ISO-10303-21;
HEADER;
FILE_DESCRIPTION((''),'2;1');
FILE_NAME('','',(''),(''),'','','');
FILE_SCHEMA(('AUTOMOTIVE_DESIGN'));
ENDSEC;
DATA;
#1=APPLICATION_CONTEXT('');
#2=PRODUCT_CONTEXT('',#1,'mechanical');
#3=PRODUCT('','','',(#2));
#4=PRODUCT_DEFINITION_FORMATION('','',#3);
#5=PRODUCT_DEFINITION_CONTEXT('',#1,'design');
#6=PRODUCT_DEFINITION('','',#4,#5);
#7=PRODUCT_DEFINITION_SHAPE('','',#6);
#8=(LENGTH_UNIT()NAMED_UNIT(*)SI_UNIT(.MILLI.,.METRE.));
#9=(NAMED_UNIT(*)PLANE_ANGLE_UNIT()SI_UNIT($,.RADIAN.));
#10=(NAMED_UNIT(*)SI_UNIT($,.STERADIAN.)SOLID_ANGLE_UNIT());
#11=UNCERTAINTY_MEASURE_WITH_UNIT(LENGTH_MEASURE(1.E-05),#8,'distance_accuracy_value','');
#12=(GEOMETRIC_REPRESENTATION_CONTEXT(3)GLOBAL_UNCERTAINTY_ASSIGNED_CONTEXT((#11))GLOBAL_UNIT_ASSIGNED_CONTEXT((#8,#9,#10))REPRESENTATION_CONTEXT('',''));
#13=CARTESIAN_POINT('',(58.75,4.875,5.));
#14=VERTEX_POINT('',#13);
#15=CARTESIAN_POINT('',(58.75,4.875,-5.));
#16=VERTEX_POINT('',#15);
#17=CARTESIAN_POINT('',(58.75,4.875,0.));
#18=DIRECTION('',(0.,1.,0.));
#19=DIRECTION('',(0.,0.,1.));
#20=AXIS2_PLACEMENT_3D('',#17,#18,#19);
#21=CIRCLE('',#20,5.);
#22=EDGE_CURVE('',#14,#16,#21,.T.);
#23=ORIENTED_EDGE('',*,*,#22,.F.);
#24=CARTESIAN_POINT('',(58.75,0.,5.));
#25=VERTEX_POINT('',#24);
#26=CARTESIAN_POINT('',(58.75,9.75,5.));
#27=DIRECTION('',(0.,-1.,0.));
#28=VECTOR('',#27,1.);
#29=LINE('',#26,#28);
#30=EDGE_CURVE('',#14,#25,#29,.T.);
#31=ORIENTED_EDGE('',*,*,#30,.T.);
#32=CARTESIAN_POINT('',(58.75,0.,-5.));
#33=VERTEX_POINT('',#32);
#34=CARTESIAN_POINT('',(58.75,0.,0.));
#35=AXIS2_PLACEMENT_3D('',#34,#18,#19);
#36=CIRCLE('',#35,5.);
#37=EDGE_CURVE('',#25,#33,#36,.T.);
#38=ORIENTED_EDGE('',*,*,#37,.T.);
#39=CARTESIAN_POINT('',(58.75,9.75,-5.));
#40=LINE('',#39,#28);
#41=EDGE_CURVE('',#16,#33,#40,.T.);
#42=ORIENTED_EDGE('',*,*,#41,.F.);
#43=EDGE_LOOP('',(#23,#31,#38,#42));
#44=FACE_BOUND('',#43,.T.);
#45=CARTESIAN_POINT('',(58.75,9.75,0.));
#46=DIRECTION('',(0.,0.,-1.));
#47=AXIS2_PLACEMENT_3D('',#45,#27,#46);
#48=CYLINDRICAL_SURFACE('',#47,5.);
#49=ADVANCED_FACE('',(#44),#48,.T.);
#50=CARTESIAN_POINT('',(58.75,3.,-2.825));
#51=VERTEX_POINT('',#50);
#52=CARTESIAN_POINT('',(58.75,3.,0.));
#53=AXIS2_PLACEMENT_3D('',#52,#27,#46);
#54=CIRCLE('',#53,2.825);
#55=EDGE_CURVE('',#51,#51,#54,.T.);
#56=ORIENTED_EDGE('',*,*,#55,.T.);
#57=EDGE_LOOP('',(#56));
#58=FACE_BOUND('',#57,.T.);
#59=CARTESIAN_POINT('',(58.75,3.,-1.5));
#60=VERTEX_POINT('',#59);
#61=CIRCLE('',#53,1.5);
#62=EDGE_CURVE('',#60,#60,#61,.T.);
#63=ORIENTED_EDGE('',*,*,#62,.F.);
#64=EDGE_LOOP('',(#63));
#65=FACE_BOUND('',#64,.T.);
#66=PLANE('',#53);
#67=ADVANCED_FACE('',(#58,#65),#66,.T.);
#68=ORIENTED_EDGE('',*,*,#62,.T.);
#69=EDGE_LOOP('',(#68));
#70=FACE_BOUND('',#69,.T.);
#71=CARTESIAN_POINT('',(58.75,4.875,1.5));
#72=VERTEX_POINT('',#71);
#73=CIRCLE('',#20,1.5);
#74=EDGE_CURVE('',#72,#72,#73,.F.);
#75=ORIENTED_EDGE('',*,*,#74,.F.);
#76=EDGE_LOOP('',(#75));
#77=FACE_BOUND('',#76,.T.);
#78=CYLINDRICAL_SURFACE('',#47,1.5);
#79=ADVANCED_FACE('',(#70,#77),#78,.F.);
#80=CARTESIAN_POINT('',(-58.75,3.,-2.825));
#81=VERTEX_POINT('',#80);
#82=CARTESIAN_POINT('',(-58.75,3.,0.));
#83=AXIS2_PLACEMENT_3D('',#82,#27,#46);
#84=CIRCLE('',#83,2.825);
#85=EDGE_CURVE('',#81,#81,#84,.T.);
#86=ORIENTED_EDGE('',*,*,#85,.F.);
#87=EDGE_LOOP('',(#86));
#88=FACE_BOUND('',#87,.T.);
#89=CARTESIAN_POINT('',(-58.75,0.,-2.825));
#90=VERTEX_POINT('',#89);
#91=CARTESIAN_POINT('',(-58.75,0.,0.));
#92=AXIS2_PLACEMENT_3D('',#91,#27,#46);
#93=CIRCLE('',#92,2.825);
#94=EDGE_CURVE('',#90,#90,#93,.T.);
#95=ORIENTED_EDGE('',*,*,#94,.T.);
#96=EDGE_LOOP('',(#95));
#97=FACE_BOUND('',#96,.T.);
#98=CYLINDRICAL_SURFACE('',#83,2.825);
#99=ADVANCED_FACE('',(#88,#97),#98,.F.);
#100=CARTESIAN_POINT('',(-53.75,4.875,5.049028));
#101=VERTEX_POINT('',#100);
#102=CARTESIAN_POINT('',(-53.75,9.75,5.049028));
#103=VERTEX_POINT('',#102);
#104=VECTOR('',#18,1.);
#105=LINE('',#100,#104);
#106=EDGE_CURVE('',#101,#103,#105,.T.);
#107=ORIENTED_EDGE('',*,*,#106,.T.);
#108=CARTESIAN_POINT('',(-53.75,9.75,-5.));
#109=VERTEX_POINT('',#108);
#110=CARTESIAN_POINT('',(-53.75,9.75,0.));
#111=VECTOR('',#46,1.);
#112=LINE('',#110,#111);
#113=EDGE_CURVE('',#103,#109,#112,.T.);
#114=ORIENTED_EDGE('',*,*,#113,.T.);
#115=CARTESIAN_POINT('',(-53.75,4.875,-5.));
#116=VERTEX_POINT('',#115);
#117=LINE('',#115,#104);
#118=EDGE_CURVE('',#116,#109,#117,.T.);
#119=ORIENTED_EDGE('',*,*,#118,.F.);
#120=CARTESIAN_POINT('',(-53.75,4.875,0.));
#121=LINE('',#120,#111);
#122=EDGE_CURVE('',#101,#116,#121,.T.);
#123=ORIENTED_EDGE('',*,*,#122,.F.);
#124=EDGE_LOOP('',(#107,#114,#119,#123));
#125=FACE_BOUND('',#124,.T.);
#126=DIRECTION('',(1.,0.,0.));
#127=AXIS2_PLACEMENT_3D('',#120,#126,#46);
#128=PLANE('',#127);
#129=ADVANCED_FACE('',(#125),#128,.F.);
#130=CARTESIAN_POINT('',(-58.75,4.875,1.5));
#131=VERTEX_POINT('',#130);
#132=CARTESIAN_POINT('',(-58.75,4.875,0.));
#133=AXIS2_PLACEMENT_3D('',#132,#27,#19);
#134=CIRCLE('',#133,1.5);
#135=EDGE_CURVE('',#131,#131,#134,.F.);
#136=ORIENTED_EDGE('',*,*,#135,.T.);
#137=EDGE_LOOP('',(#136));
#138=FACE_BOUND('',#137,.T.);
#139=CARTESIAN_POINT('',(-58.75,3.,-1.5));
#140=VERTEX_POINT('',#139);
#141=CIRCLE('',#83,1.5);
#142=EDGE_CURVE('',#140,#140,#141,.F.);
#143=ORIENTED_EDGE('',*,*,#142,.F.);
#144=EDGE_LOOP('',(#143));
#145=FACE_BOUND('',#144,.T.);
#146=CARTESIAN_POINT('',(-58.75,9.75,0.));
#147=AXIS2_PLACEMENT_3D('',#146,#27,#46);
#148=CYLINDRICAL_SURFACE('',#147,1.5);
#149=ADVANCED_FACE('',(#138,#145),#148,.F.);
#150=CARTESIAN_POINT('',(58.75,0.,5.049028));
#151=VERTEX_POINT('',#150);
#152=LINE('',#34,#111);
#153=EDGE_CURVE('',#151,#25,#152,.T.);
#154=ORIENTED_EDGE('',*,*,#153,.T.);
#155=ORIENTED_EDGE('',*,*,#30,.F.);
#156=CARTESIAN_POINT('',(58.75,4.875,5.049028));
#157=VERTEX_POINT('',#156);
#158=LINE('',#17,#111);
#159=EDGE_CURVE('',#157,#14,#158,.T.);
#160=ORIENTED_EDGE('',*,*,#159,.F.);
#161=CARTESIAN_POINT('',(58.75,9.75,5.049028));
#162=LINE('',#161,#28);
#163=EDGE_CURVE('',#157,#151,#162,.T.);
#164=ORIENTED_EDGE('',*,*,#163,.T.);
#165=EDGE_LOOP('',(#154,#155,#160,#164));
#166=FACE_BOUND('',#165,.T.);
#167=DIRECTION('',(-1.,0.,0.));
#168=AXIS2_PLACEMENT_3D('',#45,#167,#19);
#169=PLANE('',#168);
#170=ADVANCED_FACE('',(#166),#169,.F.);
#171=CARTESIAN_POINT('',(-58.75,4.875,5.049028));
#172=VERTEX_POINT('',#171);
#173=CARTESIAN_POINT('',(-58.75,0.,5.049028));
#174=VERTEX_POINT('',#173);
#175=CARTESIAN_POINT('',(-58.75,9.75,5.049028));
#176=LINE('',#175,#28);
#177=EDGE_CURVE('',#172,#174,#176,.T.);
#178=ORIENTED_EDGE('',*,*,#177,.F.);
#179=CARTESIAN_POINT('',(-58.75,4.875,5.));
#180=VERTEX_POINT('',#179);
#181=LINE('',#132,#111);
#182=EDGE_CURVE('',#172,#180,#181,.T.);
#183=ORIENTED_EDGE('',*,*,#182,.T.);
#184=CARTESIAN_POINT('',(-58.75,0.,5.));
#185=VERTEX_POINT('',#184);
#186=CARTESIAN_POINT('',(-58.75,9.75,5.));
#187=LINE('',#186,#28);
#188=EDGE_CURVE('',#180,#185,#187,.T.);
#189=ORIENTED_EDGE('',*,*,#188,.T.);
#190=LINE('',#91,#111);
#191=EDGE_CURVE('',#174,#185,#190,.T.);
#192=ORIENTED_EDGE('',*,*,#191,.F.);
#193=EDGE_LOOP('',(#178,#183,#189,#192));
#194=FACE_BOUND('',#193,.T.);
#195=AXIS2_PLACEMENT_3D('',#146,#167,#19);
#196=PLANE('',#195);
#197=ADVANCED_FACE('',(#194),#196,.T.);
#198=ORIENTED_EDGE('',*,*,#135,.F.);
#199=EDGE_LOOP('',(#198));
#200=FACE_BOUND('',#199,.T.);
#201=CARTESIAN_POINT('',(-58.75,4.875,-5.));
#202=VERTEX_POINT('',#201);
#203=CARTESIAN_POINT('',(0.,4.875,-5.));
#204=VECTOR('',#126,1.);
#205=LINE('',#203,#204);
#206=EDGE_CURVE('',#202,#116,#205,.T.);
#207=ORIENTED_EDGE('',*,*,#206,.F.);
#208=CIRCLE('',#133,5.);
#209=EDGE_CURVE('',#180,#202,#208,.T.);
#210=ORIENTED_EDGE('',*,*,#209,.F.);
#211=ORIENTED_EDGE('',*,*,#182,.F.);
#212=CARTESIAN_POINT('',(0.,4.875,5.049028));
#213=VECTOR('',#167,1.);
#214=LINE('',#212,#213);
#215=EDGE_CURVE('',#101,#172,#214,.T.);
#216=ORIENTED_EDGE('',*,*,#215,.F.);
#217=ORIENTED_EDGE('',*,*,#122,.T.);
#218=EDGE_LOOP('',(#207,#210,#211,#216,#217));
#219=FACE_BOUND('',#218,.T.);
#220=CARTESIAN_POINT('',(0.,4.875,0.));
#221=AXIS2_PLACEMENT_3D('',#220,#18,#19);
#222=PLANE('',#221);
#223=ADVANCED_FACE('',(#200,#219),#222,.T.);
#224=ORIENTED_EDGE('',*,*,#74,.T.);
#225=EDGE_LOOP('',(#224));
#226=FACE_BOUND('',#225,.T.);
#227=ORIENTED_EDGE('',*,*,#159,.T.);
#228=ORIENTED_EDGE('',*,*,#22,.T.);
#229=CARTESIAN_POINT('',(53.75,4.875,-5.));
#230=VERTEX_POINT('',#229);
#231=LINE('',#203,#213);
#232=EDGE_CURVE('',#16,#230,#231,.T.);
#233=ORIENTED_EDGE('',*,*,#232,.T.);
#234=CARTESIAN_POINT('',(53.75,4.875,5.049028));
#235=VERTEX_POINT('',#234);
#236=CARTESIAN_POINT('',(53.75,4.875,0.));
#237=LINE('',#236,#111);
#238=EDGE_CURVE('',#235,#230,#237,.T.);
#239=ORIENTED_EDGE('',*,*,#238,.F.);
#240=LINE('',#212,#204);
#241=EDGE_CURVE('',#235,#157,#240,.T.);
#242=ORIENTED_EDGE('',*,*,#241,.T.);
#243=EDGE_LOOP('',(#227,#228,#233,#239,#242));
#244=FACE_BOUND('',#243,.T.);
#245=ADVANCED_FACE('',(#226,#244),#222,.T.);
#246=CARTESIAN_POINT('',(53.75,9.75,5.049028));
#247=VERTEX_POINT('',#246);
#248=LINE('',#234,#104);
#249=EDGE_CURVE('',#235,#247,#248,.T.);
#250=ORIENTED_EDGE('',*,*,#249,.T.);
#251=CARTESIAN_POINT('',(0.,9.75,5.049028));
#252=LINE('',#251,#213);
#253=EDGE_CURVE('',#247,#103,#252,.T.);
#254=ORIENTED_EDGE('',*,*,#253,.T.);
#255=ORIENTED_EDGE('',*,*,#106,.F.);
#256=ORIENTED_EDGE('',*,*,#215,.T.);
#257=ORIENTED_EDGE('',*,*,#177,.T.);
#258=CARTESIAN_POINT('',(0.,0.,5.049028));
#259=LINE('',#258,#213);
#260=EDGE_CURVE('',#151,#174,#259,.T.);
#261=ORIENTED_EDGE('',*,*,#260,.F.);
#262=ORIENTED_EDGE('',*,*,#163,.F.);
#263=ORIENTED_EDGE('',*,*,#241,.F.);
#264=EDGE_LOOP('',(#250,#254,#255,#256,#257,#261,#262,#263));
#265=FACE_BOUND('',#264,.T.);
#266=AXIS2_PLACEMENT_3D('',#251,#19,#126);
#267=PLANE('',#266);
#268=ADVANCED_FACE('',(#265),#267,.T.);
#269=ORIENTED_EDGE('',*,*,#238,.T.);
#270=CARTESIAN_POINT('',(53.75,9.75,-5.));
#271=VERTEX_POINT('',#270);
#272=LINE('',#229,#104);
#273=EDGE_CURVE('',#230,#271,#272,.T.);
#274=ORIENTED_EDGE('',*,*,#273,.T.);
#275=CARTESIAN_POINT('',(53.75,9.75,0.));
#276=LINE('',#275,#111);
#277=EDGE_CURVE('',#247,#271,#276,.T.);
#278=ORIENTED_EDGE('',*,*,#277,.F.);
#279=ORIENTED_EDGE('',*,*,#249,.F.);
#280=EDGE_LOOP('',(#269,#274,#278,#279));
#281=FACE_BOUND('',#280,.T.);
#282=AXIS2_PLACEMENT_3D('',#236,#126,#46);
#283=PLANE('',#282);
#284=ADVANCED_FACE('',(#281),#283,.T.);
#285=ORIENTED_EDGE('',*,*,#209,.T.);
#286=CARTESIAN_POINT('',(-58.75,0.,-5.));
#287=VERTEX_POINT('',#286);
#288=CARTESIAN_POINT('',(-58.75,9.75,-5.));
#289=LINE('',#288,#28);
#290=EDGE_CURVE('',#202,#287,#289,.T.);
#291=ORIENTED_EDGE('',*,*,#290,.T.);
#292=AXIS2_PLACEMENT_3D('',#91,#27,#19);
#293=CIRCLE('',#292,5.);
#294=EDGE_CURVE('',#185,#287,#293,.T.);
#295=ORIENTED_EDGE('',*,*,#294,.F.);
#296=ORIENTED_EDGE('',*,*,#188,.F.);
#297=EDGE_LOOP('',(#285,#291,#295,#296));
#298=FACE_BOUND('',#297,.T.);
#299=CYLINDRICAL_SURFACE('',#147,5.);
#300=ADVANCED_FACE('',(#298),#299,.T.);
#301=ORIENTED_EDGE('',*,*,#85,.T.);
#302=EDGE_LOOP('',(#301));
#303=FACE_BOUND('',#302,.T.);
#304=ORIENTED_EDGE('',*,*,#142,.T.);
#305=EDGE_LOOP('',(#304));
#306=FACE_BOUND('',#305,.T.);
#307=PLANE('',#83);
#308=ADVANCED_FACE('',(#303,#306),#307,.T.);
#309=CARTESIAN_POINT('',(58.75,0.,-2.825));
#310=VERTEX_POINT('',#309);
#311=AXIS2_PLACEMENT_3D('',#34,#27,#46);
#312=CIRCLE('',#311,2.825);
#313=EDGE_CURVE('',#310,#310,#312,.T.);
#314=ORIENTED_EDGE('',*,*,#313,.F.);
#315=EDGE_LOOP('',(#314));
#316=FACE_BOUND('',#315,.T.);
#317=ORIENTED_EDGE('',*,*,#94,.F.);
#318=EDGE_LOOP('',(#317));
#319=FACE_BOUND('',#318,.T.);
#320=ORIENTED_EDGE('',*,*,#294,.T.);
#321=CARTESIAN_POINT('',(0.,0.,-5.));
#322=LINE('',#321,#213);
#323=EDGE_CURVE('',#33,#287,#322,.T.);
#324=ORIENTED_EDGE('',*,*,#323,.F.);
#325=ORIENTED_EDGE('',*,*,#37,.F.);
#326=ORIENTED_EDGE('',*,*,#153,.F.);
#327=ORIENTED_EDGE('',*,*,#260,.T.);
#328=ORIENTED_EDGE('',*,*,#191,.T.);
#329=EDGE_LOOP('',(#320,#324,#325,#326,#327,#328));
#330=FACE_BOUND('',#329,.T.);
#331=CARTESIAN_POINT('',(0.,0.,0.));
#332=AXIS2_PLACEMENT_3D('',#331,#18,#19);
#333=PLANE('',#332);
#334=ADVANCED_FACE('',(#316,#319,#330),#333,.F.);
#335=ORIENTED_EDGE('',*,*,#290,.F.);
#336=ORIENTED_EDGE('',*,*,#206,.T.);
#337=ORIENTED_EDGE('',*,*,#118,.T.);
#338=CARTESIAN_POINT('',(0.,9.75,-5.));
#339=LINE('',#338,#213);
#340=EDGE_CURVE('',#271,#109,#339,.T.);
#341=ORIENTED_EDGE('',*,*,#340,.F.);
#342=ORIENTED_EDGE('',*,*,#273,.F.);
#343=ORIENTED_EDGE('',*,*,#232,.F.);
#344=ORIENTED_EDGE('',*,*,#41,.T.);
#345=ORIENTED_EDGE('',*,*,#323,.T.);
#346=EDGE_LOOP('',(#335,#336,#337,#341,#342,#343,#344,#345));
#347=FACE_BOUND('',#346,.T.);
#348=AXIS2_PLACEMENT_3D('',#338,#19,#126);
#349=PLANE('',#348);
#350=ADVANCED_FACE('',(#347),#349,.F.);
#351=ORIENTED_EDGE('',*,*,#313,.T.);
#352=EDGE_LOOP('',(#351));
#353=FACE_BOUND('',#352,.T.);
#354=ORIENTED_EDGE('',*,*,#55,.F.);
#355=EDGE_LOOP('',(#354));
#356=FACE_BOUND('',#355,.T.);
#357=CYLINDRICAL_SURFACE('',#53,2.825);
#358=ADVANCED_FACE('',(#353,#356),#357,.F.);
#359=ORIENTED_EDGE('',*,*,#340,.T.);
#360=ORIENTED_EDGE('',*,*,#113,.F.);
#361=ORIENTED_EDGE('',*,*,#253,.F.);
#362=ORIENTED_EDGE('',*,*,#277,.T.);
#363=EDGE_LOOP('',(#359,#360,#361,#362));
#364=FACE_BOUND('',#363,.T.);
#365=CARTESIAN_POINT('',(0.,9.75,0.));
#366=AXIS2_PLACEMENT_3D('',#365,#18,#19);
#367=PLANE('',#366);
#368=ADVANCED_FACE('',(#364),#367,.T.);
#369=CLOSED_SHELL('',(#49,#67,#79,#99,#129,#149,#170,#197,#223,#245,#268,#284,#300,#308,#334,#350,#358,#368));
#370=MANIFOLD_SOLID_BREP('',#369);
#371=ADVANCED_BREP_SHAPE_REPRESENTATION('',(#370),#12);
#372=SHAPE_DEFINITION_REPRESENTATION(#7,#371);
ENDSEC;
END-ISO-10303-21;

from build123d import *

# Parameters (mm, degrees)
BOSS_EXTRUDE1_DEPTH = 9.75
CUT_EXTRUDE3_START  = -4.875
CUT_EXTRUDE3_DEPTH  = 4.875
SKETCH3_R           = 2.825
CUT_EXTRUDE4_DEPTH  = 3


with BuildPart() as part:
    # Sketch1 → Boss-Extrude1 (new body)
    with BuildSketch(Plane(origin=(0, 0, 0), x_dir=(1, 0, 0), z_dir=(0, 1, 0))):
        with BuildLine():
            Line((0, 5), (0, 0))
            Line((0, 0), (53.75, 0))
            ThreePointArc((53.75, 0), (55.214466094, 3.535533906), (58.75, 5))
            Line((58.75, 5), (0, 5))
        make_face()
        with BuildLine():
            Line((53.75, 0), (0, 0))
            Line((0, 0), (0, -5.049027621))
            Line((0, -5.049027621), (58.75, -5.049027621))
            Line((58.75, -5.049027621), (58.75, -5))
            ThreePointArc((58.75, -5), (55.214466094, -3.535533906), (53.75, 0))
        make_face()
        with BuildLine():
            ThreePointArc((63.75, 0), (62.285533906, 3.535533906), (58.75, 5))
            Line((58.75, 5), (58.75, 1.5))
            ThreePointArc((58.75, 1.5), (59.810660172, 1.060660172), (60.25, 0))
            ThreePointArc((60.25, 0), (59.810660172, -1.060660172), (58.75, -1.5))
            Line((58.75, -1.5), (58.75, -5))
            ThreePointArc((58.75, -5), (62.285533906, -3.535533906), (63.75, 0))
        make_face()
        with BuildLine():
            ThreePointArc((58.75, 5), (55.214466094, 3.535533906), (53.75, 0))
            Line((53.75, 0), (57.25, 0))
            ThreePointArc((57.25, 0), (57.689339828, 1.060660172), (58.75, 1.5))
            Line((58.75, 1.5), (58.75, 5))
        make_face()
        with BuildLine():
            Line((57.25, 0), (53.75, 0))
            ThreePointArc((53.75, 0), (55.214466094, -3.535533906), (58.75, -5))
            Line((58.75, -5), (58.75, -1.5))
            ThreePointArc((58.75, -1.5), (57.689339828, -1.060660172), (57.25, 0))
        make_face()
    boss_extrude1 = extrude(amount=BOSS_EXTRUDE1_DEPTH)

    # Mirror1: Boss-Extrude1 across plane
    add(boss_extrude1.mirror(Plane(origin=(0, 0, 0), x_dir=(0, 0, 1), z_dir=(1, 0, 0))))

    # Sketch2 → Cut-Extrude3 (cut)
    with BuildSketch(Plane(origin=(0, 9.75, 0), x_dir=(1, 0, 0), z_dir=(0, 1, 0)).offset(CUT_EXTRUDE3_START)):
        with BuildLine():
            Line((60.25, 0), (63.75, 0))
            ThreePointArc((63.75, 0), (62.285533906, 3.535533906), (58.75, 5))
            Line((58.75, 5), (53.75, 5))
            Line((53.75, 5), (53.75, 0))
            Line((53.75, 0), (57.25, 0))
            ThreePointArc((57.25, 0), (58.75, 1.5), (60.25, 0))
        make_face()
        with BuildLine():
            ThreePointArc((58.75, -5), (62.285533906, -3.535533906), (63.75, 0))
            Line((63.75, 0), (60.25, 0))
            ThreePointArc((60.25, 0), (58.75, -1.5), (57.25, 0))
            Line((57.25, 0), (53.75, 0))
            Line((53.75, 0), (53.75, -5.049027621))
            Line((53.75, -5.049027621), (58.75, -5.049027621))
            Line((58.75, -5.049027621), (58.75, -5))
        make_face()
    cut_extrude3 = extrude(amount=CUT_EXTRUDE3_DEPTH, mode=Mode.SUBTRACT)

    # Mirror2: Cut-Extrude3 across plane
    add(cut_extrude3.mirror(Plane(origin=(0, 0, 0), x_dir=(0, 0, 1), z_dir=(1, 0, 0))), mode=Mode.SUBTRACT)

    # Sketch3 → Cut-Extrude4 (cut)
    with BuildSketch(Plane(origin=(0, 0, 0), x_dir=(-1, 0, 0), z_dir=(0, -1, 0))):
        with Locations(Location((58.75, 0, 0), (0, 0, 90))):
            Circle(SKETCH3_R)
        with Locations(Location((-58.75, 0, 0), (0, 0, 90))):
            Circle(SKETCH3_R)
    extrude(amount=-CUT_EXTRUDE4_DEPTH, mode=Mode.SUBTRACT)


solid = part.part
